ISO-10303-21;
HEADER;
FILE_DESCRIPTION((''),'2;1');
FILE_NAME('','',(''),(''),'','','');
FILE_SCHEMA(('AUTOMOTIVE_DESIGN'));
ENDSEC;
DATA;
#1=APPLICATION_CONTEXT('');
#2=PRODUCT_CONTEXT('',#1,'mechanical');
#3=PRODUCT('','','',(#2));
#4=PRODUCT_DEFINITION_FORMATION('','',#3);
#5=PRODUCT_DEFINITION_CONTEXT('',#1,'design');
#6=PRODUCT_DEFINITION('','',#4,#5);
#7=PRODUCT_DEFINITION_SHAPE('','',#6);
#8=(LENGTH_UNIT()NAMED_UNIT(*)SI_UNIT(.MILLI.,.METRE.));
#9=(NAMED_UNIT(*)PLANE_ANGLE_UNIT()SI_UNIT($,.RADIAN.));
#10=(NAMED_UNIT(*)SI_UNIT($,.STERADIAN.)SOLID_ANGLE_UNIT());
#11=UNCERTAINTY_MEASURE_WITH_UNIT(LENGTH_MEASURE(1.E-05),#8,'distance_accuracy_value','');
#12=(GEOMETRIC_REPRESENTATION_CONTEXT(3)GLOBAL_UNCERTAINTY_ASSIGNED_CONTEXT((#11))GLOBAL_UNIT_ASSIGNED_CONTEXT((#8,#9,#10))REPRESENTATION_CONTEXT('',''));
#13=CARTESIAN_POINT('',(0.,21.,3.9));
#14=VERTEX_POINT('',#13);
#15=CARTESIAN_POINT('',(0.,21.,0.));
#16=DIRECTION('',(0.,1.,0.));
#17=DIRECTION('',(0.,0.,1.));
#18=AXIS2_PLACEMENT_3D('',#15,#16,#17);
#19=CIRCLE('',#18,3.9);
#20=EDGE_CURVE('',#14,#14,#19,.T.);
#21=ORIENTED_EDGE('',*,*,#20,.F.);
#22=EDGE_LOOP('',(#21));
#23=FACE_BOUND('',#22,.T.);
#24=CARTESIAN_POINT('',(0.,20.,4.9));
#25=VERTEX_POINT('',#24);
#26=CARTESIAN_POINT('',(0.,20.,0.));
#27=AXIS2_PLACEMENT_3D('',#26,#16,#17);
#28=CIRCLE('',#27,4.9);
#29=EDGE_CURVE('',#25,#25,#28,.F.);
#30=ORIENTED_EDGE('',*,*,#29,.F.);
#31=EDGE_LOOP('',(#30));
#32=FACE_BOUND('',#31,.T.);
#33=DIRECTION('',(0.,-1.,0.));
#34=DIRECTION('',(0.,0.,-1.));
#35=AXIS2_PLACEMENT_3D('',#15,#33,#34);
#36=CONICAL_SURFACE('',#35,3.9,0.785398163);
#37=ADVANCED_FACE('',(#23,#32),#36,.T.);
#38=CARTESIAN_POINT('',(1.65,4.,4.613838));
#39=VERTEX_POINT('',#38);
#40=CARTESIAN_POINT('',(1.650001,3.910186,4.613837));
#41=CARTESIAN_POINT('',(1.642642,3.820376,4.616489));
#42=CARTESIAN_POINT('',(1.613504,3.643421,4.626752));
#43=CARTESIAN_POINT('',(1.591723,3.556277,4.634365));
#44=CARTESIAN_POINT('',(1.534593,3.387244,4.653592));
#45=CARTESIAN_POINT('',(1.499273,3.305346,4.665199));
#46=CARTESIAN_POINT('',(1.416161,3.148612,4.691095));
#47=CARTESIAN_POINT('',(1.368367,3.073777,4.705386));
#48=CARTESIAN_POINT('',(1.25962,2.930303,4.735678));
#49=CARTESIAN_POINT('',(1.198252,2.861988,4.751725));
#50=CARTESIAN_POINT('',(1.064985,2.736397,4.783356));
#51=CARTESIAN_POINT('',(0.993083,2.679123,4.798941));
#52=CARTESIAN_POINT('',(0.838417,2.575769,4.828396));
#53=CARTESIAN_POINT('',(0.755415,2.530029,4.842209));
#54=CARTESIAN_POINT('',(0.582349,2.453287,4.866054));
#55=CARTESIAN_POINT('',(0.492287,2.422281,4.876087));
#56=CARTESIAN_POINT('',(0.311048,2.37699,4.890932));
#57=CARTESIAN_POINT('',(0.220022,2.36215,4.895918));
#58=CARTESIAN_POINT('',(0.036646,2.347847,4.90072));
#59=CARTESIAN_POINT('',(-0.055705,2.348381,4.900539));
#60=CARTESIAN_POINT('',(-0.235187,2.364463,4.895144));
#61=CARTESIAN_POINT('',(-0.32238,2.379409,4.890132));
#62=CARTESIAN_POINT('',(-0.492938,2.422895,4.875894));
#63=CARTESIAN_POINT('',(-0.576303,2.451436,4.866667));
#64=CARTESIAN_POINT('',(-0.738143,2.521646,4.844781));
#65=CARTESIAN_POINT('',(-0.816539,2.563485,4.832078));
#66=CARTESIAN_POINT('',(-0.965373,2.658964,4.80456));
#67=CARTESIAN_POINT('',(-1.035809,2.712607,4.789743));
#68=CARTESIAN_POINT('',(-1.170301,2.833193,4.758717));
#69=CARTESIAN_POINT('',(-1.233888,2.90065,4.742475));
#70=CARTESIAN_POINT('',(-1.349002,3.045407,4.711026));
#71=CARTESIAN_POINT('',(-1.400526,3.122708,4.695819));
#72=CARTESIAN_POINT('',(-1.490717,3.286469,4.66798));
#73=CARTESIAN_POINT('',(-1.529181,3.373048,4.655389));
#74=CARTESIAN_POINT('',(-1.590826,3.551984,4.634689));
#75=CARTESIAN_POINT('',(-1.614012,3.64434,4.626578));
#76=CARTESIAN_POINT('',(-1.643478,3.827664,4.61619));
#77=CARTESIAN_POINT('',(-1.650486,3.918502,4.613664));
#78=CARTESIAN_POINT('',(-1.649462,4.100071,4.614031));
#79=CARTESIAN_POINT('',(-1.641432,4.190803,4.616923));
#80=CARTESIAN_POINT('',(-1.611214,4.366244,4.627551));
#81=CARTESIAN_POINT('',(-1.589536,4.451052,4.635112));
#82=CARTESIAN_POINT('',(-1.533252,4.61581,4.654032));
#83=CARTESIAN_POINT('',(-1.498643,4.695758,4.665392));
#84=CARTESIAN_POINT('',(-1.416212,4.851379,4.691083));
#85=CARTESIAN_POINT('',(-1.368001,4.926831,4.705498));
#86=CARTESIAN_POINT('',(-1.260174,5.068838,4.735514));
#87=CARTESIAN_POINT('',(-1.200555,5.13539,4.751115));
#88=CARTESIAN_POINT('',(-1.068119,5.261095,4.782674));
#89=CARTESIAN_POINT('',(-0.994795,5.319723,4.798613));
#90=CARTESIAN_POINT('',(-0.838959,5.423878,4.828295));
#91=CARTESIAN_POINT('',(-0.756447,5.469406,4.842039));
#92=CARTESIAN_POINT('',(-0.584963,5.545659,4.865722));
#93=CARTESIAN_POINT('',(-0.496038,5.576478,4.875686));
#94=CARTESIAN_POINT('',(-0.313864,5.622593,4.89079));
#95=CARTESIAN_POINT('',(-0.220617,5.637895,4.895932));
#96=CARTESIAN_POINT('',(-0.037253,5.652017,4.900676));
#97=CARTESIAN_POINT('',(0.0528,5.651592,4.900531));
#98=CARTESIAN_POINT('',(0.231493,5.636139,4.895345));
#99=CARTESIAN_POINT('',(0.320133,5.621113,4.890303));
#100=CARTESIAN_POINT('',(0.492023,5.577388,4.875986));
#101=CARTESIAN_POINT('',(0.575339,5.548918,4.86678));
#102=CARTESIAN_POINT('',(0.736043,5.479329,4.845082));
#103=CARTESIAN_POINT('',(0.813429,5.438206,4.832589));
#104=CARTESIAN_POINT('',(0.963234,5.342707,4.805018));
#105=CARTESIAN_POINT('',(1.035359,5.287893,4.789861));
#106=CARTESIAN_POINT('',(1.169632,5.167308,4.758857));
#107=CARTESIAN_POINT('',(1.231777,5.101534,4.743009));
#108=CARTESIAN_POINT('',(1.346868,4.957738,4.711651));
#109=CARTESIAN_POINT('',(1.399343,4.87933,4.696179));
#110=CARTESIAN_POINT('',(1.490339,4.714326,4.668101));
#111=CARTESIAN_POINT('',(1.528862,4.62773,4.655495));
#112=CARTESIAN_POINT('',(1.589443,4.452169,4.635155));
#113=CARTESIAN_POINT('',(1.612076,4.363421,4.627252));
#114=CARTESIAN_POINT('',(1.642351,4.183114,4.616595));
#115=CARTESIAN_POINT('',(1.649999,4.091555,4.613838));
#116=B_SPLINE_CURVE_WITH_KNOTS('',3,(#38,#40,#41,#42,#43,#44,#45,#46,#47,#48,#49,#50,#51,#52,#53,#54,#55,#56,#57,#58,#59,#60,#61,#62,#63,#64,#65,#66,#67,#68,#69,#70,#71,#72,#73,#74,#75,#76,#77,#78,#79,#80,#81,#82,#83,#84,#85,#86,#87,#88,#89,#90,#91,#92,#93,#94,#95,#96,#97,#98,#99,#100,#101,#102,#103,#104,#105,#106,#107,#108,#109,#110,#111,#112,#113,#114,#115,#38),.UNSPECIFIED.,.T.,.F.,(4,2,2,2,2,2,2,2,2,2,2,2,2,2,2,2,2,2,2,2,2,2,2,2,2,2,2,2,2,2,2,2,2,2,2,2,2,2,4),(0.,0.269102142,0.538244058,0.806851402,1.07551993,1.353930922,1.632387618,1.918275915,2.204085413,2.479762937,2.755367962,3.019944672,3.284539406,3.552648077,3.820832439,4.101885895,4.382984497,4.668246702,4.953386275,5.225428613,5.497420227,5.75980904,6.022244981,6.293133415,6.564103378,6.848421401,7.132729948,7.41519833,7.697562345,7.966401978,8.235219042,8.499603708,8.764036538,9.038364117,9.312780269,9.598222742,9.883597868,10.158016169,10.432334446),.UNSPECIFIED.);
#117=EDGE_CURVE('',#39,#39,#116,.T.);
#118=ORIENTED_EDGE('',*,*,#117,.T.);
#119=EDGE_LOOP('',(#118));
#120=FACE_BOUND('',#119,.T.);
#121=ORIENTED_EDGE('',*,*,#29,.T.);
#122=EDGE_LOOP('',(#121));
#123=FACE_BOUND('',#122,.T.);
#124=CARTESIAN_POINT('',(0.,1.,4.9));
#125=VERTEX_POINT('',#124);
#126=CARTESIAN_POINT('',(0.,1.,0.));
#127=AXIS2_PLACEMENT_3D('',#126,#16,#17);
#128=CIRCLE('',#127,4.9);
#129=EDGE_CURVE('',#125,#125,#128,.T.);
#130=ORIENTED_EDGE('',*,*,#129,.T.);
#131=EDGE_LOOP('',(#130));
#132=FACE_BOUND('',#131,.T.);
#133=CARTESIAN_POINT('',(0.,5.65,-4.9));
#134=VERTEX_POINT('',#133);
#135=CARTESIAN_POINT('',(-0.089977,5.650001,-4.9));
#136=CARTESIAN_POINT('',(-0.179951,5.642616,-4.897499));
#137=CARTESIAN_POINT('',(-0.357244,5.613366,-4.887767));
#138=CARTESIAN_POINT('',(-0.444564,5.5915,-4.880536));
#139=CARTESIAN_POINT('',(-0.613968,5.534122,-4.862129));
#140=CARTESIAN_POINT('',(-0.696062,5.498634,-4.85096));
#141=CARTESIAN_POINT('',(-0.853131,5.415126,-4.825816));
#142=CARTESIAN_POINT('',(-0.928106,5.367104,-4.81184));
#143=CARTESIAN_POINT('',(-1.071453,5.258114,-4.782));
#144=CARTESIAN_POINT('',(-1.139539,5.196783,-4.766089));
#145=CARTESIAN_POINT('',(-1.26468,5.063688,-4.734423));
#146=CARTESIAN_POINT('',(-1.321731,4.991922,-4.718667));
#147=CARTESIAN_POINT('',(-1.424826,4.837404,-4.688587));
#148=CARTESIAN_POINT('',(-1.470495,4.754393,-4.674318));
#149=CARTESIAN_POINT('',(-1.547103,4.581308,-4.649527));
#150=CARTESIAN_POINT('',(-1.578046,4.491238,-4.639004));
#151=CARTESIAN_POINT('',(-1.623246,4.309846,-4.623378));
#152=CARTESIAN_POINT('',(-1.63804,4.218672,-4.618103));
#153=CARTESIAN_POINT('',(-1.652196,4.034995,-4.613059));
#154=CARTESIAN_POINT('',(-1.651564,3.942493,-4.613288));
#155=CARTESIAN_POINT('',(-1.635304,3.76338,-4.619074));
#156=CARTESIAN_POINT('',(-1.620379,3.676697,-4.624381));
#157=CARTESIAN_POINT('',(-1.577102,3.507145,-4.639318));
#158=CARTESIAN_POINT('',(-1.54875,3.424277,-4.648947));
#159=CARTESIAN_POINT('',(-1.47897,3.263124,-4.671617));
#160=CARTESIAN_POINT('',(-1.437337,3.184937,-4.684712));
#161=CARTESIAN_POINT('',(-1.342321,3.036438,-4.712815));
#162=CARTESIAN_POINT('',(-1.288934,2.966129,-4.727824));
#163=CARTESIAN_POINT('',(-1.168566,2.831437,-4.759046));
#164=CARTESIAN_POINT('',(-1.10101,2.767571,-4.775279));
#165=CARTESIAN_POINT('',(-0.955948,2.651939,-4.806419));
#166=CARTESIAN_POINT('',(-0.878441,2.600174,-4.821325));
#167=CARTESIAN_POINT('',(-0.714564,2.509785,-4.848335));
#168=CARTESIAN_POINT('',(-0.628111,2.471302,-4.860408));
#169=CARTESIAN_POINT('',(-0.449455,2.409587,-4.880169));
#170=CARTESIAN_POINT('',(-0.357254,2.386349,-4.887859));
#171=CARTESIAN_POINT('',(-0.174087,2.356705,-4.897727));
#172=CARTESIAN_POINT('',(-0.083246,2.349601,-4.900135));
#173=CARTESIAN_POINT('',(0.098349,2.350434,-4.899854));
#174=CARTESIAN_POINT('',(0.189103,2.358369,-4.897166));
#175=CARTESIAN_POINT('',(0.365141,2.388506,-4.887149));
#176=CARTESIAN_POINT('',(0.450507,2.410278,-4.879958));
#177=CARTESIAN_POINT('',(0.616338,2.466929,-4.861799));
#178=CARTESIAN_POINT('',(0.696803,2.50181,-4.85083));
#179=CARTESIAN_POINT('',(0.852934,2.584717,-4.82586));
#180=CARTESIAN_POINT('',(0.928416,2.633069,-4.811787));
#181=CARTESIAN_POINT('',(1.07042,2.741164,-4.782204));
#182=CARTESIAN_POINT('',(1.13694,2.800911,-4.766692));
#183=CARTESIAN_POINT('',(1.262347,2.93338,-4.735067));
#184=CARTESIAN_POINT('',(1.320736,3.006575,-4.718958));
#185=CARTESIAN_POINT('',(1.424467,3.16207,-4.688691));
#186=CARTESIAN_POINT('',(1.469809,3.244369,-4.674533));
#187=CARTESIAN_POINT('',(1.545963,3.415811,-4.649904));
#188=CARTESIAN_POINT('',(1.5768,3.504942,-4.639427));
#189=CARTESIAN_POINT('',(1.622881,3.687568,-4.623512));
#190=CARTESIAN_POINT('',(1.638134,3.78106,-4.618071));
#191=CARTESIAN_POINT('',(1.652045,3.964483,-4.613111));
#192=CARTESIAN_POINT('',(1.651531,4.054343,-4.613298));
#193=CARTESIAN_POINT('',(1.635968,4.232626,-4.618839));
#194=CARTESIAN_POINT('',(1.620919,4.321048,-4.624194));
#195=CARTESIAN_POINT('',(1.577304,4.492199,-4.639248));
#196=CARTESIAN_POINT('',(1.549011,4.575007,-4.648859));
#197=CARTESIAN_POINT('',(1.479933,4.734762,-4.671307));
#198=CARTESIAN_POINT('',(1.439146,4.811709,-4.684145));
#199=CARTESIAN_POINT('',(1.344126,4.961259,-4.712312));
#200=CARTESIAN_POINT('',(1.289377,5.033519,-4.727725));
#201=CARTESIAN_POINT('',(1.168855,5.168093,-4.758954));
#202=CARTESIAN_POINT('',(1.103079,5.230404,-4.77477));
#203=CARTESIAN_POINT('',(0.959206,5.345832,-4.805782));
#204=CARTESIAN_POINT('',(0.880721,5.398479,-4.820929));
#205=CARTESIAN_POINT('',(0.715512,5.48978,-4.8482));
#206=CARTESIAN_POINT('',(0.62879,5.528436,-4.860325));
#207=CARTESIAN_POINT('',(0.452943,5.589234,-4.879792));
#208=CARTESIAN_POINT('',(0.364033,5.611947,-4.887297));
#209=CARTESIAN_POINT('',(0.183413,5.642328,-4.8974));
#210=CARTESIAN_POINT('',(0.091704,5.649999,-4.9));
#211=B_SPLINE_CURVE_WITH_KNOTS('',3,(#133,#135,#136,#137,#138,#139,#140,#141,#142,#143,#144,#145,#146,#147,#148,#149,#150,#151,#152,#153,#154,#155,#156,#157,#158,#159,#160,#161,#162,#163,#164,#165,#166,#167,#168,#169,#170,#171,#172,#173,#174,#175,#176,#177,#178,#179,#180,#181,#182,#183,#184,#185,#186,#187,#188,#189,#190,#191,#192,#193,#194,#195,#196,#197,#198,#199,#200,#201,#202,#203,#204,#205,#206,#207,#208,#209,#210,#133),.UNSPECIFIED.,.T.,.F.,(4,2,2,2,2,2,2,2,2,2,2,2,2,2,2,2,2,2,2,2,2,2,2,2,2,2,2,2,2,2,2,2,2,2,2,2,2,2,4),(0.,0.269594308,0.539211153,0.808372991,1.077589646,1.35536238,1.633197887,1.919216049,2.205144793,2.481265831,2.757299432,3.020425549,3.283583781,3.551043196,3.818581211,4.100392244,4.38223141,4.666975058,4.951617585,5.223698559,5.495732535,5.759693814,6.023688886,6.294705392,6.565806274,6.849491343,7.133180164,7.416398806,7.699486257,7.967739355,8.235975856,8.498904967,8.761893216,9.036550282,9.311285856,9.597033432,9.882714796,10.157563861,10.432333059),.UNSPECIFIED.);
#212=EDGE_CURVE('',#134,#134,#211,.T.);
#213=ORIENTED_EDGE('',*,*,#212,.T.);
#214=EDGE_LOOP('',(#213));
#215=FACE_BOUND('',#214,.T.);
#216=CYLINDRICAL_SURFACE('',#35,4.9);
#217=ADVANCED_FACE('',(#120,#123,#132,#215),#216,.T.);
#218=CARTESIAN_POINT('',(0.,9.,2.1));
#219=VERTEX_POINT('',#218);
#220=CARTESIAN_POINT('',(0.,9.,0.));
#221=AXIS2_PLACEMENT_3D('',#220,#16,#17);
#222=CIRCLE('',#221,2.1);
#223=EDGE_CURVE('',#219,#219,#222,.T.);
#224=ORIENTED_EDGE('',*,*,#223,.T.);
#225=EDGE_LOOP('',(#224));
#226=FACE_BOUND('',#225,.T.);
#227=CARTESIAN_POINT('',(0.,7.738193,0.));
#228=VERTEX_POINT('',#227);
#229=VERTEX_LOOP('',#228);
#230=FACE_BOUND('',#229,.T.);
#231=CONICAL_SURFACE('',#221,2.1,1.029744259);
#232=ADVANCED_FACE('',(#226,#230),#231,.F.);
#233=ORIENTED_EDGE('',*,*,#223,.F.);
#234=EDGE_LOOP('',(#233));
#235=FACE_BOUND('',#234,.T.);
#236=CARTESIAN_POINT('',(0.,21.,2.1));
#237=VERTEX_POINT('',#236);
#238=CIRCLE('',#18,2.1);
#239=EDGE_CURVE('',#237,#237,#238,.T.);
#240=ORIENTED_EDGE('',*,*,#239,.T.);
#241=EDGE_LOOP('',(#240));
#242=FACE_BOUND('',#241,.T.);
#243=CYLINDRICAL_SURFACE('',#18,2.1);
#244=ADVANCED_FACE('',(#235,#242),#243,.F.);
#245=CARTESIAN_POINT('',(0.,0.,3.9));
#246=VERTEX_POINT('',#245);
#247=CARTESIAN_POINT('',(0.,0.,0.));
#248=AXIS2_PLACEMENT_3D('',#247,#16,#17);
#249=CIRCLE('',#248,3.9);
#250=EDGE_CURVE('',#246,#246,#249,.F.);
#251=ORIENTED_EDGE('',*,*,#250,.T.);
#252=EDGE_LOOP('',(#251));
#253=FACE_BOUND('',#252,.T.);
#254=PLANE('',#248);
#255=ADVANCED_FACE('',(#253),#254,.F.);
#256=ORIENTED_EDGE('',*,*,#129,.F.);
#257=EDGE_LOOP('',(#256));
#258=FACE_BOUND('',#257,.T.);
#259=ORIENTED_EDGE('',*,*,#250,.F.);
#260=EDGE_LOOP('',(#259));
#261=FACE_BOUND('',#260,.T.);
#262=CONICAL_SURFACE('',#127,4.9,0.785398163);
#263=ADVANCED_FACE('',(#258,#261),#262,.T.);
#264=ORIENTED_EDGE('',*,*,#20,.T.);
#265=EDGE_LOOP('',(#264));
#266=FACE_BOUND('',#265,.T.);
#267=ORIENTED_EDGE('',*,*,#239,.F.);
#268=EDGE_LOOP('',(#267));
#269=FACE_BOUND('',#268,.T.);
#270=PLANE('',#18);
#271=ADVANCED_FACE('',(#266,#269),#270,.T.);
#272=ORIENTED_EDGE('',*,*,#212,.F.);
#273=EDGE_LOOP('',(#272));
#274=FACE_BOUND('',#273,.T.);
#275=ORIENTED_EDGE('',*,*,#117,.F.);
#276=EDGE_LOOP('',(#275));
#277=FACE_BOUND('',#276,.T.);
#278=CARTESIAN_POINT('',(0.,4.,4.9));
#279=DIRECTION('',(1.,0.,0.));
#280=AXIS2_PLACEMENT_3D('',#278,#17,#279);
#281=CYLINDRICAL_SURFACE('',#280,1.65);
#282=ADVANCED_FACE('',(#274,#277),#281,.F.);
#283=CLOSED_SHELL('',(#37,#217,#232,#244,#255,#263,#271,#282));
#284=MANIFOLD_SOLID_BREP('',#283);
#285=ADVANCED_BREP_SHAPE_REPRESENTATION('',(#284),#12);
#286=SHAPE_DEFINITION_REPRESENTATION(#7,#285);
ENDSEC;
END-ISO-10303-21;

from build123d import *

# Parameters (mm, degrees)
SKETCH_1_R             = 4.9
EXTRUDE_1_DEPTH        = 21
HOLE_WIZARD_M4_1_D     = 3.3
HOLE_WIZARD_M5_1_D     = 4.2
HOLE_WIZARD_M5_1_DEPTH = 12
HOLE_WIZARD_M5_1_TIP   = 1.2618073
CHAMFER_1_SIZE         = 1


with BuildPart() as part:
    # 草图1 → 凸台-拉伸1 (new body)
    with BuildSketch(Plane(origin=(0, 0, 0), x_dir=(1, 0, 0), z_dir=(0, 1, 0))):
        with Locations(Location((0, 0, 0), (0, 0, 90))):
            Circle(SKETCH_1_R)
    extrude(amount=EXTRUDE_1_DEPTH)

    # M4 螺纹孔1 (through all)
    with Locations(Plane.XY.offset(4.9)):
        with Locations((0, 4)):
            Hole(HOLE_WIZARD_M4_1_D / 2)

    # M5 螺纹孔1
    with Locations(Plane(origin=(0, 21, 0), x_dir=(1, 0, 0), z_dir=(0, 1, 0))):
        with Locations((0, 0)):
            Hole(HOLE_WIZARD_M5_1_D / 2, depth=HOLE_WIZARD_M5_1_DEPTH)
            with Locations((0, 0, -(HOLE_WIZARD_M5_1_DEPTH + HOLE_WIZARD_M5_1_TIP / 2))):  # 118° drill point
                Cone(0, HOLE_WIZARD_M5_1_D / 2, HOLE_WIZARD_M5_1_TIP, mode=Mode.SUBTRACT)

    # 倒角1
    chamfer_1_edges = [part.edges().sort_by_distance(p)[0] for p in [
        (0, 0, 4.9),
        (0, 21, 4.9),
    ]]
    chamfer(chamfer_1_edges, length=CHAMFER_1_SIZE)


solid = part.part
